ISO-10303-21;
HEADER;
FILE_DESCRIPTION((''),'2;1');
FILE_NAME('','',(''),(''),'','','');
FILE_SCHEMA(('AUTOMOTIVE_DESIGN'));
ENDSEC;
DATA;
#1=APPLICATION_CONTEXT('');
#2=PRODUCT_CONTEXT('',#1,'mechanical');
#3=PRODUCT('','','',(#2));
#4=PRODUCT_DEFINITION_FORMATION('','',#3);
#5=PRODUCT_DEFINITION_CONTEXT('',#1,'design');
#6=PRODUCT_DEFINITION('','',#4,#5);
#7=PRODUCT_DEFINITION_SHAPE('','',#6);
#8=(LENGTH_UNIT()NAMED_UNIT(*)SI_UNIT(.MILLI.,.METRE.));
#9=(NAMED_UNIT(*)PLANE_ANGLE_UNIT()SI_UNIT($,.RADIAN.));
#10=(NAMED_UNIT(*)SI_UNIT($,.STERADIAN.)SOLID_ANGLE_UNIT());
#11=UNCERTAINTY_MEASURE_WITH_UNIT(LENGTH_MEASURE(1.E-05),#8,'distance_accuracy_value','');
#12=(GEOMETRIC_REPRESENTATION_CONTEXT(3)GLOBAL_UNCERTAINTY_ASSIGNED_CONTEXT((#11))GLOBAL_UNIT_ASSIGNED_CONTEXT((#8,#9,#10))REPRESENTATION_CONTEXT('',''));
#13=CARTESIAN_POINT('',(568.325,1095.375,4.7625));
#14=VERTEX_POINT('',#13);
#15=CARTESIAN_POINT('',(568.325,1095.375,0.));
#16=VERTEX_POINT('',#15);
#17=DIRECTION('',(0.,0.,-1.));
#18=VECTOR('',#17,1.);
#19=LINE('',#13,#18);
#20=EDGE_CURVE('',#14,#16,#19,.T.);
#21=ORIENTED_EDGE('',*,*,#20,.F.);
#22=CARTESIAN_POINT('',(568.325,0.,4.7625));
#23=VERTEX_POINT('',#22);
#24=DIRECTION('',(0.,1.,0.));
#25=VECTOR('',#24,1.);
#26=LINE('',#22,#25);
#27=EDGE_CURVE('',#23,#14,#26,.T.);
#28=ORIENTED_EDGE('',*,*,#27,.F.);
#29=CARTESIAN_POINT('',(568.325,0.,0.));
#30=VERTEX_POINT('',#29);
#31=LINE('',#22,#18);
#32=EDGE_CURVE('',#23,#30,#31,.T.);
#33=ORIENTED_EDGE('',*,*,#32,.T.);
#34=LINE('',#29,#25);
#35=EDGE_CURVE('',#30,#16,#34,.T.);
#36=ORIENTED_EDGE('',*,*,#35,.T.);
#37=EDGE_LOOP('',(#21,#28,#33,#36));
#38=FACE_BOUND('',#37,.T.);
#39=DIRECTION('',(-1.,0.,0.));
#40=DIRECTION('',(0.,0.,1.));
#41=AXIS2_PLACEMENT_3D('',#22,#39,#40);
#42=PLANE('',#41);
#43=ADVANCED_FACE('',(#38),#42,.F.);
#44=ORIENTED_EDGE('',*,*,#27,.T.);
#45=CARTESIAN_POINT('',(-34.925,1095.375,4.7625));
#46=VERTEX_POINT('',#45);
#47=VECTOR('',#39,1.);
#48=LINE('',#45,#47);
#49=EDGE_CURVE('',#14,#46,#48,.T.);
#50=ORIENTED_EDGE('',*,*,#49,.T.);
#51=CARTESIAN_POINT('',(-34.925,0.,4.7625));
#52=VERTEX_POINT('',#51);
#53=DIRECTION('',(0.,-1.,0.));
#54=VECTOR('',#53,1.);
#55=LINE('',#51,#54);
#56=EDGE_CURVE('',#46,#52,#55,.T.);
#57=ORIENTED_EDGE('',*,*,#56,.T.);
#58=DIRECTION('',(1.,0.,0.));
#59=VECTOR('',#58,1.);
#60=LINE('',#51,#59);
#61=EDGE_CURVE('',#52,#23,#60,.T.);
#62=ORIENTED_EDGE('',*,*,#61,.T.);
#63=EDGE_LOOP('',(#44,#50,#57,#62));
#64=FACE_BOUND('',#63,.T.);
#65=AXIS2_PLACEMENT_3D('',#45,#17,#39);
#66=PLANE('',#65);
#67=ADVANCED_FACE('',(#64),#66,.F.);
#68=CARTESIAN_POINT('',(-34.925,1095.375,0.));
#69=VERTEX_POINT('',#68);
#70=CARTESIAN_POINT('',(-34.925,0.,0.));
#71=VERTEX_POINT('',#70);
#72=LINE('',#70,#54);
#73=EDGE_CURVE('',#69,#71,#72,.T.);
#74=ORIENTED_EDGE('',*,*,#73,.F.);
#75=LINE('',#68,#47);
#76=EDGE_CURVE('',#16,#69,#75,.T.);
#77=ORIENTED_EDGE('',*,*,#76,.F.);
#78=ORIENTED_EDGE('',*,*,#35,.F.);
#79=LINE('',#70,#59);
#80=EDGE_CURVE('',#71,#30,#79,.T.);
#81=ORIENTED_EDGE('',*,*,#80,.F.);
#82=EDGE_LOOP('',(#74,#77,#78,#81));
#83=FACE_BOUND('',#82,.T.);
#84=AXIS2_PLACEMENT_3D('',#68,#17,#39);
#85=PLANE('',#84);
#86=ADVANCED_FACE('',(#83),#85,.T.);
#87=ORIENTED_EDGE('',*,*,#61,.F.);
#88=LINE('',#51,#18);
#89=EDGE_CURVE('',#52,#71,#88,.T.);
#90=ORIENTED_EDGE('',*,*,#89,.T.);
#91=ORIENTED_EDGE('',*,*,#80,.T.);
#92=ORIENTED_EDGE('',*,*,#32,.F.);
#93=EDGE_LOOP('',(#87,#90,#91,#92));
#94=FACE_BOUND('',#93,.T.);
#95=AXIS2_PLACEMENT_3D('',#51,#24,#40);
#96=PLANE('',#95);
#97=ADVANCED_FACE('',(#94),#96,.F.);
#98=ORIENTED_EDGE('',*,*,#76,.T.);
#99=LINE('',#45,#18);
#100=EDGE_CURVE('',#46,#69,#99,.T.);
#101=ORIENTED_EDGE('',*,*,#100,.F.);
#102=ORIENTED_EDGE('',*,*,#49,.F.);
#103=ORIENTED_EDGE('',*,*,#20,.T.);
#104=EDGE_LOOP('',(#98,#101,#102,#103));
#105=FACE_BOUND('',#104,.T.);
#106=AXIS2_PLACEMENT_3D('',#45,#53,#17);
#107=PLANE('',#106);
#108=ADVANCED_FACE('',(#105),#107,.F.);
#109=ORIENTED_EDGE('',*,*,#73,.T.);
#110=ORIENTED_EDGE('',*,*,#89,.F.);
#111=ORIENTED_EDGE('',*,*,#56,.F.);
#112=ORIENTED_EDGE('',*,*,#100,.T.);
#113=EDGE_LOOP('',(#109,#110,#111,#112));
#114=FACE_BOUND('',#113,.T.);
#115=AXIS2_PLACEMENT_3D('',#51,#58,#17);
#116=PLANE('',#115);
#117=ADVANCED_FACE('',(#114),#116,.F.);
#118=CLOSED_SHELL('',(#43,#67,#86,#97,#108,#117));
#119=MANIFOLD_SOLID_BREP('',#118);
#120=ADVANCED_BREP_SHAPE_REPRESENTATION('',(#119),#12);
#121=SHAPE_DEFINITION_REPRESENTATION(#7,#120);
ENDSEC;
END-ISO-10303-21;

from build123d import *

# Parameters (mm, degrees)
SKETCH1_W      = 603.25
SKETCH1_H      = 1095.375
EXTRUDE1_DEPTH = 4.7625


with BuildPart() as part:
    # Sketch1 → Extrude1 (new body)
    with BuildSketch(Plane.XY):
        with Locations((266.7, 547.6875)):
            Rectangle(SKETCH1_W, SKETCH1_H)
    extrude(amount=EXTRUDE1_DEPTH)


solid = part.part
